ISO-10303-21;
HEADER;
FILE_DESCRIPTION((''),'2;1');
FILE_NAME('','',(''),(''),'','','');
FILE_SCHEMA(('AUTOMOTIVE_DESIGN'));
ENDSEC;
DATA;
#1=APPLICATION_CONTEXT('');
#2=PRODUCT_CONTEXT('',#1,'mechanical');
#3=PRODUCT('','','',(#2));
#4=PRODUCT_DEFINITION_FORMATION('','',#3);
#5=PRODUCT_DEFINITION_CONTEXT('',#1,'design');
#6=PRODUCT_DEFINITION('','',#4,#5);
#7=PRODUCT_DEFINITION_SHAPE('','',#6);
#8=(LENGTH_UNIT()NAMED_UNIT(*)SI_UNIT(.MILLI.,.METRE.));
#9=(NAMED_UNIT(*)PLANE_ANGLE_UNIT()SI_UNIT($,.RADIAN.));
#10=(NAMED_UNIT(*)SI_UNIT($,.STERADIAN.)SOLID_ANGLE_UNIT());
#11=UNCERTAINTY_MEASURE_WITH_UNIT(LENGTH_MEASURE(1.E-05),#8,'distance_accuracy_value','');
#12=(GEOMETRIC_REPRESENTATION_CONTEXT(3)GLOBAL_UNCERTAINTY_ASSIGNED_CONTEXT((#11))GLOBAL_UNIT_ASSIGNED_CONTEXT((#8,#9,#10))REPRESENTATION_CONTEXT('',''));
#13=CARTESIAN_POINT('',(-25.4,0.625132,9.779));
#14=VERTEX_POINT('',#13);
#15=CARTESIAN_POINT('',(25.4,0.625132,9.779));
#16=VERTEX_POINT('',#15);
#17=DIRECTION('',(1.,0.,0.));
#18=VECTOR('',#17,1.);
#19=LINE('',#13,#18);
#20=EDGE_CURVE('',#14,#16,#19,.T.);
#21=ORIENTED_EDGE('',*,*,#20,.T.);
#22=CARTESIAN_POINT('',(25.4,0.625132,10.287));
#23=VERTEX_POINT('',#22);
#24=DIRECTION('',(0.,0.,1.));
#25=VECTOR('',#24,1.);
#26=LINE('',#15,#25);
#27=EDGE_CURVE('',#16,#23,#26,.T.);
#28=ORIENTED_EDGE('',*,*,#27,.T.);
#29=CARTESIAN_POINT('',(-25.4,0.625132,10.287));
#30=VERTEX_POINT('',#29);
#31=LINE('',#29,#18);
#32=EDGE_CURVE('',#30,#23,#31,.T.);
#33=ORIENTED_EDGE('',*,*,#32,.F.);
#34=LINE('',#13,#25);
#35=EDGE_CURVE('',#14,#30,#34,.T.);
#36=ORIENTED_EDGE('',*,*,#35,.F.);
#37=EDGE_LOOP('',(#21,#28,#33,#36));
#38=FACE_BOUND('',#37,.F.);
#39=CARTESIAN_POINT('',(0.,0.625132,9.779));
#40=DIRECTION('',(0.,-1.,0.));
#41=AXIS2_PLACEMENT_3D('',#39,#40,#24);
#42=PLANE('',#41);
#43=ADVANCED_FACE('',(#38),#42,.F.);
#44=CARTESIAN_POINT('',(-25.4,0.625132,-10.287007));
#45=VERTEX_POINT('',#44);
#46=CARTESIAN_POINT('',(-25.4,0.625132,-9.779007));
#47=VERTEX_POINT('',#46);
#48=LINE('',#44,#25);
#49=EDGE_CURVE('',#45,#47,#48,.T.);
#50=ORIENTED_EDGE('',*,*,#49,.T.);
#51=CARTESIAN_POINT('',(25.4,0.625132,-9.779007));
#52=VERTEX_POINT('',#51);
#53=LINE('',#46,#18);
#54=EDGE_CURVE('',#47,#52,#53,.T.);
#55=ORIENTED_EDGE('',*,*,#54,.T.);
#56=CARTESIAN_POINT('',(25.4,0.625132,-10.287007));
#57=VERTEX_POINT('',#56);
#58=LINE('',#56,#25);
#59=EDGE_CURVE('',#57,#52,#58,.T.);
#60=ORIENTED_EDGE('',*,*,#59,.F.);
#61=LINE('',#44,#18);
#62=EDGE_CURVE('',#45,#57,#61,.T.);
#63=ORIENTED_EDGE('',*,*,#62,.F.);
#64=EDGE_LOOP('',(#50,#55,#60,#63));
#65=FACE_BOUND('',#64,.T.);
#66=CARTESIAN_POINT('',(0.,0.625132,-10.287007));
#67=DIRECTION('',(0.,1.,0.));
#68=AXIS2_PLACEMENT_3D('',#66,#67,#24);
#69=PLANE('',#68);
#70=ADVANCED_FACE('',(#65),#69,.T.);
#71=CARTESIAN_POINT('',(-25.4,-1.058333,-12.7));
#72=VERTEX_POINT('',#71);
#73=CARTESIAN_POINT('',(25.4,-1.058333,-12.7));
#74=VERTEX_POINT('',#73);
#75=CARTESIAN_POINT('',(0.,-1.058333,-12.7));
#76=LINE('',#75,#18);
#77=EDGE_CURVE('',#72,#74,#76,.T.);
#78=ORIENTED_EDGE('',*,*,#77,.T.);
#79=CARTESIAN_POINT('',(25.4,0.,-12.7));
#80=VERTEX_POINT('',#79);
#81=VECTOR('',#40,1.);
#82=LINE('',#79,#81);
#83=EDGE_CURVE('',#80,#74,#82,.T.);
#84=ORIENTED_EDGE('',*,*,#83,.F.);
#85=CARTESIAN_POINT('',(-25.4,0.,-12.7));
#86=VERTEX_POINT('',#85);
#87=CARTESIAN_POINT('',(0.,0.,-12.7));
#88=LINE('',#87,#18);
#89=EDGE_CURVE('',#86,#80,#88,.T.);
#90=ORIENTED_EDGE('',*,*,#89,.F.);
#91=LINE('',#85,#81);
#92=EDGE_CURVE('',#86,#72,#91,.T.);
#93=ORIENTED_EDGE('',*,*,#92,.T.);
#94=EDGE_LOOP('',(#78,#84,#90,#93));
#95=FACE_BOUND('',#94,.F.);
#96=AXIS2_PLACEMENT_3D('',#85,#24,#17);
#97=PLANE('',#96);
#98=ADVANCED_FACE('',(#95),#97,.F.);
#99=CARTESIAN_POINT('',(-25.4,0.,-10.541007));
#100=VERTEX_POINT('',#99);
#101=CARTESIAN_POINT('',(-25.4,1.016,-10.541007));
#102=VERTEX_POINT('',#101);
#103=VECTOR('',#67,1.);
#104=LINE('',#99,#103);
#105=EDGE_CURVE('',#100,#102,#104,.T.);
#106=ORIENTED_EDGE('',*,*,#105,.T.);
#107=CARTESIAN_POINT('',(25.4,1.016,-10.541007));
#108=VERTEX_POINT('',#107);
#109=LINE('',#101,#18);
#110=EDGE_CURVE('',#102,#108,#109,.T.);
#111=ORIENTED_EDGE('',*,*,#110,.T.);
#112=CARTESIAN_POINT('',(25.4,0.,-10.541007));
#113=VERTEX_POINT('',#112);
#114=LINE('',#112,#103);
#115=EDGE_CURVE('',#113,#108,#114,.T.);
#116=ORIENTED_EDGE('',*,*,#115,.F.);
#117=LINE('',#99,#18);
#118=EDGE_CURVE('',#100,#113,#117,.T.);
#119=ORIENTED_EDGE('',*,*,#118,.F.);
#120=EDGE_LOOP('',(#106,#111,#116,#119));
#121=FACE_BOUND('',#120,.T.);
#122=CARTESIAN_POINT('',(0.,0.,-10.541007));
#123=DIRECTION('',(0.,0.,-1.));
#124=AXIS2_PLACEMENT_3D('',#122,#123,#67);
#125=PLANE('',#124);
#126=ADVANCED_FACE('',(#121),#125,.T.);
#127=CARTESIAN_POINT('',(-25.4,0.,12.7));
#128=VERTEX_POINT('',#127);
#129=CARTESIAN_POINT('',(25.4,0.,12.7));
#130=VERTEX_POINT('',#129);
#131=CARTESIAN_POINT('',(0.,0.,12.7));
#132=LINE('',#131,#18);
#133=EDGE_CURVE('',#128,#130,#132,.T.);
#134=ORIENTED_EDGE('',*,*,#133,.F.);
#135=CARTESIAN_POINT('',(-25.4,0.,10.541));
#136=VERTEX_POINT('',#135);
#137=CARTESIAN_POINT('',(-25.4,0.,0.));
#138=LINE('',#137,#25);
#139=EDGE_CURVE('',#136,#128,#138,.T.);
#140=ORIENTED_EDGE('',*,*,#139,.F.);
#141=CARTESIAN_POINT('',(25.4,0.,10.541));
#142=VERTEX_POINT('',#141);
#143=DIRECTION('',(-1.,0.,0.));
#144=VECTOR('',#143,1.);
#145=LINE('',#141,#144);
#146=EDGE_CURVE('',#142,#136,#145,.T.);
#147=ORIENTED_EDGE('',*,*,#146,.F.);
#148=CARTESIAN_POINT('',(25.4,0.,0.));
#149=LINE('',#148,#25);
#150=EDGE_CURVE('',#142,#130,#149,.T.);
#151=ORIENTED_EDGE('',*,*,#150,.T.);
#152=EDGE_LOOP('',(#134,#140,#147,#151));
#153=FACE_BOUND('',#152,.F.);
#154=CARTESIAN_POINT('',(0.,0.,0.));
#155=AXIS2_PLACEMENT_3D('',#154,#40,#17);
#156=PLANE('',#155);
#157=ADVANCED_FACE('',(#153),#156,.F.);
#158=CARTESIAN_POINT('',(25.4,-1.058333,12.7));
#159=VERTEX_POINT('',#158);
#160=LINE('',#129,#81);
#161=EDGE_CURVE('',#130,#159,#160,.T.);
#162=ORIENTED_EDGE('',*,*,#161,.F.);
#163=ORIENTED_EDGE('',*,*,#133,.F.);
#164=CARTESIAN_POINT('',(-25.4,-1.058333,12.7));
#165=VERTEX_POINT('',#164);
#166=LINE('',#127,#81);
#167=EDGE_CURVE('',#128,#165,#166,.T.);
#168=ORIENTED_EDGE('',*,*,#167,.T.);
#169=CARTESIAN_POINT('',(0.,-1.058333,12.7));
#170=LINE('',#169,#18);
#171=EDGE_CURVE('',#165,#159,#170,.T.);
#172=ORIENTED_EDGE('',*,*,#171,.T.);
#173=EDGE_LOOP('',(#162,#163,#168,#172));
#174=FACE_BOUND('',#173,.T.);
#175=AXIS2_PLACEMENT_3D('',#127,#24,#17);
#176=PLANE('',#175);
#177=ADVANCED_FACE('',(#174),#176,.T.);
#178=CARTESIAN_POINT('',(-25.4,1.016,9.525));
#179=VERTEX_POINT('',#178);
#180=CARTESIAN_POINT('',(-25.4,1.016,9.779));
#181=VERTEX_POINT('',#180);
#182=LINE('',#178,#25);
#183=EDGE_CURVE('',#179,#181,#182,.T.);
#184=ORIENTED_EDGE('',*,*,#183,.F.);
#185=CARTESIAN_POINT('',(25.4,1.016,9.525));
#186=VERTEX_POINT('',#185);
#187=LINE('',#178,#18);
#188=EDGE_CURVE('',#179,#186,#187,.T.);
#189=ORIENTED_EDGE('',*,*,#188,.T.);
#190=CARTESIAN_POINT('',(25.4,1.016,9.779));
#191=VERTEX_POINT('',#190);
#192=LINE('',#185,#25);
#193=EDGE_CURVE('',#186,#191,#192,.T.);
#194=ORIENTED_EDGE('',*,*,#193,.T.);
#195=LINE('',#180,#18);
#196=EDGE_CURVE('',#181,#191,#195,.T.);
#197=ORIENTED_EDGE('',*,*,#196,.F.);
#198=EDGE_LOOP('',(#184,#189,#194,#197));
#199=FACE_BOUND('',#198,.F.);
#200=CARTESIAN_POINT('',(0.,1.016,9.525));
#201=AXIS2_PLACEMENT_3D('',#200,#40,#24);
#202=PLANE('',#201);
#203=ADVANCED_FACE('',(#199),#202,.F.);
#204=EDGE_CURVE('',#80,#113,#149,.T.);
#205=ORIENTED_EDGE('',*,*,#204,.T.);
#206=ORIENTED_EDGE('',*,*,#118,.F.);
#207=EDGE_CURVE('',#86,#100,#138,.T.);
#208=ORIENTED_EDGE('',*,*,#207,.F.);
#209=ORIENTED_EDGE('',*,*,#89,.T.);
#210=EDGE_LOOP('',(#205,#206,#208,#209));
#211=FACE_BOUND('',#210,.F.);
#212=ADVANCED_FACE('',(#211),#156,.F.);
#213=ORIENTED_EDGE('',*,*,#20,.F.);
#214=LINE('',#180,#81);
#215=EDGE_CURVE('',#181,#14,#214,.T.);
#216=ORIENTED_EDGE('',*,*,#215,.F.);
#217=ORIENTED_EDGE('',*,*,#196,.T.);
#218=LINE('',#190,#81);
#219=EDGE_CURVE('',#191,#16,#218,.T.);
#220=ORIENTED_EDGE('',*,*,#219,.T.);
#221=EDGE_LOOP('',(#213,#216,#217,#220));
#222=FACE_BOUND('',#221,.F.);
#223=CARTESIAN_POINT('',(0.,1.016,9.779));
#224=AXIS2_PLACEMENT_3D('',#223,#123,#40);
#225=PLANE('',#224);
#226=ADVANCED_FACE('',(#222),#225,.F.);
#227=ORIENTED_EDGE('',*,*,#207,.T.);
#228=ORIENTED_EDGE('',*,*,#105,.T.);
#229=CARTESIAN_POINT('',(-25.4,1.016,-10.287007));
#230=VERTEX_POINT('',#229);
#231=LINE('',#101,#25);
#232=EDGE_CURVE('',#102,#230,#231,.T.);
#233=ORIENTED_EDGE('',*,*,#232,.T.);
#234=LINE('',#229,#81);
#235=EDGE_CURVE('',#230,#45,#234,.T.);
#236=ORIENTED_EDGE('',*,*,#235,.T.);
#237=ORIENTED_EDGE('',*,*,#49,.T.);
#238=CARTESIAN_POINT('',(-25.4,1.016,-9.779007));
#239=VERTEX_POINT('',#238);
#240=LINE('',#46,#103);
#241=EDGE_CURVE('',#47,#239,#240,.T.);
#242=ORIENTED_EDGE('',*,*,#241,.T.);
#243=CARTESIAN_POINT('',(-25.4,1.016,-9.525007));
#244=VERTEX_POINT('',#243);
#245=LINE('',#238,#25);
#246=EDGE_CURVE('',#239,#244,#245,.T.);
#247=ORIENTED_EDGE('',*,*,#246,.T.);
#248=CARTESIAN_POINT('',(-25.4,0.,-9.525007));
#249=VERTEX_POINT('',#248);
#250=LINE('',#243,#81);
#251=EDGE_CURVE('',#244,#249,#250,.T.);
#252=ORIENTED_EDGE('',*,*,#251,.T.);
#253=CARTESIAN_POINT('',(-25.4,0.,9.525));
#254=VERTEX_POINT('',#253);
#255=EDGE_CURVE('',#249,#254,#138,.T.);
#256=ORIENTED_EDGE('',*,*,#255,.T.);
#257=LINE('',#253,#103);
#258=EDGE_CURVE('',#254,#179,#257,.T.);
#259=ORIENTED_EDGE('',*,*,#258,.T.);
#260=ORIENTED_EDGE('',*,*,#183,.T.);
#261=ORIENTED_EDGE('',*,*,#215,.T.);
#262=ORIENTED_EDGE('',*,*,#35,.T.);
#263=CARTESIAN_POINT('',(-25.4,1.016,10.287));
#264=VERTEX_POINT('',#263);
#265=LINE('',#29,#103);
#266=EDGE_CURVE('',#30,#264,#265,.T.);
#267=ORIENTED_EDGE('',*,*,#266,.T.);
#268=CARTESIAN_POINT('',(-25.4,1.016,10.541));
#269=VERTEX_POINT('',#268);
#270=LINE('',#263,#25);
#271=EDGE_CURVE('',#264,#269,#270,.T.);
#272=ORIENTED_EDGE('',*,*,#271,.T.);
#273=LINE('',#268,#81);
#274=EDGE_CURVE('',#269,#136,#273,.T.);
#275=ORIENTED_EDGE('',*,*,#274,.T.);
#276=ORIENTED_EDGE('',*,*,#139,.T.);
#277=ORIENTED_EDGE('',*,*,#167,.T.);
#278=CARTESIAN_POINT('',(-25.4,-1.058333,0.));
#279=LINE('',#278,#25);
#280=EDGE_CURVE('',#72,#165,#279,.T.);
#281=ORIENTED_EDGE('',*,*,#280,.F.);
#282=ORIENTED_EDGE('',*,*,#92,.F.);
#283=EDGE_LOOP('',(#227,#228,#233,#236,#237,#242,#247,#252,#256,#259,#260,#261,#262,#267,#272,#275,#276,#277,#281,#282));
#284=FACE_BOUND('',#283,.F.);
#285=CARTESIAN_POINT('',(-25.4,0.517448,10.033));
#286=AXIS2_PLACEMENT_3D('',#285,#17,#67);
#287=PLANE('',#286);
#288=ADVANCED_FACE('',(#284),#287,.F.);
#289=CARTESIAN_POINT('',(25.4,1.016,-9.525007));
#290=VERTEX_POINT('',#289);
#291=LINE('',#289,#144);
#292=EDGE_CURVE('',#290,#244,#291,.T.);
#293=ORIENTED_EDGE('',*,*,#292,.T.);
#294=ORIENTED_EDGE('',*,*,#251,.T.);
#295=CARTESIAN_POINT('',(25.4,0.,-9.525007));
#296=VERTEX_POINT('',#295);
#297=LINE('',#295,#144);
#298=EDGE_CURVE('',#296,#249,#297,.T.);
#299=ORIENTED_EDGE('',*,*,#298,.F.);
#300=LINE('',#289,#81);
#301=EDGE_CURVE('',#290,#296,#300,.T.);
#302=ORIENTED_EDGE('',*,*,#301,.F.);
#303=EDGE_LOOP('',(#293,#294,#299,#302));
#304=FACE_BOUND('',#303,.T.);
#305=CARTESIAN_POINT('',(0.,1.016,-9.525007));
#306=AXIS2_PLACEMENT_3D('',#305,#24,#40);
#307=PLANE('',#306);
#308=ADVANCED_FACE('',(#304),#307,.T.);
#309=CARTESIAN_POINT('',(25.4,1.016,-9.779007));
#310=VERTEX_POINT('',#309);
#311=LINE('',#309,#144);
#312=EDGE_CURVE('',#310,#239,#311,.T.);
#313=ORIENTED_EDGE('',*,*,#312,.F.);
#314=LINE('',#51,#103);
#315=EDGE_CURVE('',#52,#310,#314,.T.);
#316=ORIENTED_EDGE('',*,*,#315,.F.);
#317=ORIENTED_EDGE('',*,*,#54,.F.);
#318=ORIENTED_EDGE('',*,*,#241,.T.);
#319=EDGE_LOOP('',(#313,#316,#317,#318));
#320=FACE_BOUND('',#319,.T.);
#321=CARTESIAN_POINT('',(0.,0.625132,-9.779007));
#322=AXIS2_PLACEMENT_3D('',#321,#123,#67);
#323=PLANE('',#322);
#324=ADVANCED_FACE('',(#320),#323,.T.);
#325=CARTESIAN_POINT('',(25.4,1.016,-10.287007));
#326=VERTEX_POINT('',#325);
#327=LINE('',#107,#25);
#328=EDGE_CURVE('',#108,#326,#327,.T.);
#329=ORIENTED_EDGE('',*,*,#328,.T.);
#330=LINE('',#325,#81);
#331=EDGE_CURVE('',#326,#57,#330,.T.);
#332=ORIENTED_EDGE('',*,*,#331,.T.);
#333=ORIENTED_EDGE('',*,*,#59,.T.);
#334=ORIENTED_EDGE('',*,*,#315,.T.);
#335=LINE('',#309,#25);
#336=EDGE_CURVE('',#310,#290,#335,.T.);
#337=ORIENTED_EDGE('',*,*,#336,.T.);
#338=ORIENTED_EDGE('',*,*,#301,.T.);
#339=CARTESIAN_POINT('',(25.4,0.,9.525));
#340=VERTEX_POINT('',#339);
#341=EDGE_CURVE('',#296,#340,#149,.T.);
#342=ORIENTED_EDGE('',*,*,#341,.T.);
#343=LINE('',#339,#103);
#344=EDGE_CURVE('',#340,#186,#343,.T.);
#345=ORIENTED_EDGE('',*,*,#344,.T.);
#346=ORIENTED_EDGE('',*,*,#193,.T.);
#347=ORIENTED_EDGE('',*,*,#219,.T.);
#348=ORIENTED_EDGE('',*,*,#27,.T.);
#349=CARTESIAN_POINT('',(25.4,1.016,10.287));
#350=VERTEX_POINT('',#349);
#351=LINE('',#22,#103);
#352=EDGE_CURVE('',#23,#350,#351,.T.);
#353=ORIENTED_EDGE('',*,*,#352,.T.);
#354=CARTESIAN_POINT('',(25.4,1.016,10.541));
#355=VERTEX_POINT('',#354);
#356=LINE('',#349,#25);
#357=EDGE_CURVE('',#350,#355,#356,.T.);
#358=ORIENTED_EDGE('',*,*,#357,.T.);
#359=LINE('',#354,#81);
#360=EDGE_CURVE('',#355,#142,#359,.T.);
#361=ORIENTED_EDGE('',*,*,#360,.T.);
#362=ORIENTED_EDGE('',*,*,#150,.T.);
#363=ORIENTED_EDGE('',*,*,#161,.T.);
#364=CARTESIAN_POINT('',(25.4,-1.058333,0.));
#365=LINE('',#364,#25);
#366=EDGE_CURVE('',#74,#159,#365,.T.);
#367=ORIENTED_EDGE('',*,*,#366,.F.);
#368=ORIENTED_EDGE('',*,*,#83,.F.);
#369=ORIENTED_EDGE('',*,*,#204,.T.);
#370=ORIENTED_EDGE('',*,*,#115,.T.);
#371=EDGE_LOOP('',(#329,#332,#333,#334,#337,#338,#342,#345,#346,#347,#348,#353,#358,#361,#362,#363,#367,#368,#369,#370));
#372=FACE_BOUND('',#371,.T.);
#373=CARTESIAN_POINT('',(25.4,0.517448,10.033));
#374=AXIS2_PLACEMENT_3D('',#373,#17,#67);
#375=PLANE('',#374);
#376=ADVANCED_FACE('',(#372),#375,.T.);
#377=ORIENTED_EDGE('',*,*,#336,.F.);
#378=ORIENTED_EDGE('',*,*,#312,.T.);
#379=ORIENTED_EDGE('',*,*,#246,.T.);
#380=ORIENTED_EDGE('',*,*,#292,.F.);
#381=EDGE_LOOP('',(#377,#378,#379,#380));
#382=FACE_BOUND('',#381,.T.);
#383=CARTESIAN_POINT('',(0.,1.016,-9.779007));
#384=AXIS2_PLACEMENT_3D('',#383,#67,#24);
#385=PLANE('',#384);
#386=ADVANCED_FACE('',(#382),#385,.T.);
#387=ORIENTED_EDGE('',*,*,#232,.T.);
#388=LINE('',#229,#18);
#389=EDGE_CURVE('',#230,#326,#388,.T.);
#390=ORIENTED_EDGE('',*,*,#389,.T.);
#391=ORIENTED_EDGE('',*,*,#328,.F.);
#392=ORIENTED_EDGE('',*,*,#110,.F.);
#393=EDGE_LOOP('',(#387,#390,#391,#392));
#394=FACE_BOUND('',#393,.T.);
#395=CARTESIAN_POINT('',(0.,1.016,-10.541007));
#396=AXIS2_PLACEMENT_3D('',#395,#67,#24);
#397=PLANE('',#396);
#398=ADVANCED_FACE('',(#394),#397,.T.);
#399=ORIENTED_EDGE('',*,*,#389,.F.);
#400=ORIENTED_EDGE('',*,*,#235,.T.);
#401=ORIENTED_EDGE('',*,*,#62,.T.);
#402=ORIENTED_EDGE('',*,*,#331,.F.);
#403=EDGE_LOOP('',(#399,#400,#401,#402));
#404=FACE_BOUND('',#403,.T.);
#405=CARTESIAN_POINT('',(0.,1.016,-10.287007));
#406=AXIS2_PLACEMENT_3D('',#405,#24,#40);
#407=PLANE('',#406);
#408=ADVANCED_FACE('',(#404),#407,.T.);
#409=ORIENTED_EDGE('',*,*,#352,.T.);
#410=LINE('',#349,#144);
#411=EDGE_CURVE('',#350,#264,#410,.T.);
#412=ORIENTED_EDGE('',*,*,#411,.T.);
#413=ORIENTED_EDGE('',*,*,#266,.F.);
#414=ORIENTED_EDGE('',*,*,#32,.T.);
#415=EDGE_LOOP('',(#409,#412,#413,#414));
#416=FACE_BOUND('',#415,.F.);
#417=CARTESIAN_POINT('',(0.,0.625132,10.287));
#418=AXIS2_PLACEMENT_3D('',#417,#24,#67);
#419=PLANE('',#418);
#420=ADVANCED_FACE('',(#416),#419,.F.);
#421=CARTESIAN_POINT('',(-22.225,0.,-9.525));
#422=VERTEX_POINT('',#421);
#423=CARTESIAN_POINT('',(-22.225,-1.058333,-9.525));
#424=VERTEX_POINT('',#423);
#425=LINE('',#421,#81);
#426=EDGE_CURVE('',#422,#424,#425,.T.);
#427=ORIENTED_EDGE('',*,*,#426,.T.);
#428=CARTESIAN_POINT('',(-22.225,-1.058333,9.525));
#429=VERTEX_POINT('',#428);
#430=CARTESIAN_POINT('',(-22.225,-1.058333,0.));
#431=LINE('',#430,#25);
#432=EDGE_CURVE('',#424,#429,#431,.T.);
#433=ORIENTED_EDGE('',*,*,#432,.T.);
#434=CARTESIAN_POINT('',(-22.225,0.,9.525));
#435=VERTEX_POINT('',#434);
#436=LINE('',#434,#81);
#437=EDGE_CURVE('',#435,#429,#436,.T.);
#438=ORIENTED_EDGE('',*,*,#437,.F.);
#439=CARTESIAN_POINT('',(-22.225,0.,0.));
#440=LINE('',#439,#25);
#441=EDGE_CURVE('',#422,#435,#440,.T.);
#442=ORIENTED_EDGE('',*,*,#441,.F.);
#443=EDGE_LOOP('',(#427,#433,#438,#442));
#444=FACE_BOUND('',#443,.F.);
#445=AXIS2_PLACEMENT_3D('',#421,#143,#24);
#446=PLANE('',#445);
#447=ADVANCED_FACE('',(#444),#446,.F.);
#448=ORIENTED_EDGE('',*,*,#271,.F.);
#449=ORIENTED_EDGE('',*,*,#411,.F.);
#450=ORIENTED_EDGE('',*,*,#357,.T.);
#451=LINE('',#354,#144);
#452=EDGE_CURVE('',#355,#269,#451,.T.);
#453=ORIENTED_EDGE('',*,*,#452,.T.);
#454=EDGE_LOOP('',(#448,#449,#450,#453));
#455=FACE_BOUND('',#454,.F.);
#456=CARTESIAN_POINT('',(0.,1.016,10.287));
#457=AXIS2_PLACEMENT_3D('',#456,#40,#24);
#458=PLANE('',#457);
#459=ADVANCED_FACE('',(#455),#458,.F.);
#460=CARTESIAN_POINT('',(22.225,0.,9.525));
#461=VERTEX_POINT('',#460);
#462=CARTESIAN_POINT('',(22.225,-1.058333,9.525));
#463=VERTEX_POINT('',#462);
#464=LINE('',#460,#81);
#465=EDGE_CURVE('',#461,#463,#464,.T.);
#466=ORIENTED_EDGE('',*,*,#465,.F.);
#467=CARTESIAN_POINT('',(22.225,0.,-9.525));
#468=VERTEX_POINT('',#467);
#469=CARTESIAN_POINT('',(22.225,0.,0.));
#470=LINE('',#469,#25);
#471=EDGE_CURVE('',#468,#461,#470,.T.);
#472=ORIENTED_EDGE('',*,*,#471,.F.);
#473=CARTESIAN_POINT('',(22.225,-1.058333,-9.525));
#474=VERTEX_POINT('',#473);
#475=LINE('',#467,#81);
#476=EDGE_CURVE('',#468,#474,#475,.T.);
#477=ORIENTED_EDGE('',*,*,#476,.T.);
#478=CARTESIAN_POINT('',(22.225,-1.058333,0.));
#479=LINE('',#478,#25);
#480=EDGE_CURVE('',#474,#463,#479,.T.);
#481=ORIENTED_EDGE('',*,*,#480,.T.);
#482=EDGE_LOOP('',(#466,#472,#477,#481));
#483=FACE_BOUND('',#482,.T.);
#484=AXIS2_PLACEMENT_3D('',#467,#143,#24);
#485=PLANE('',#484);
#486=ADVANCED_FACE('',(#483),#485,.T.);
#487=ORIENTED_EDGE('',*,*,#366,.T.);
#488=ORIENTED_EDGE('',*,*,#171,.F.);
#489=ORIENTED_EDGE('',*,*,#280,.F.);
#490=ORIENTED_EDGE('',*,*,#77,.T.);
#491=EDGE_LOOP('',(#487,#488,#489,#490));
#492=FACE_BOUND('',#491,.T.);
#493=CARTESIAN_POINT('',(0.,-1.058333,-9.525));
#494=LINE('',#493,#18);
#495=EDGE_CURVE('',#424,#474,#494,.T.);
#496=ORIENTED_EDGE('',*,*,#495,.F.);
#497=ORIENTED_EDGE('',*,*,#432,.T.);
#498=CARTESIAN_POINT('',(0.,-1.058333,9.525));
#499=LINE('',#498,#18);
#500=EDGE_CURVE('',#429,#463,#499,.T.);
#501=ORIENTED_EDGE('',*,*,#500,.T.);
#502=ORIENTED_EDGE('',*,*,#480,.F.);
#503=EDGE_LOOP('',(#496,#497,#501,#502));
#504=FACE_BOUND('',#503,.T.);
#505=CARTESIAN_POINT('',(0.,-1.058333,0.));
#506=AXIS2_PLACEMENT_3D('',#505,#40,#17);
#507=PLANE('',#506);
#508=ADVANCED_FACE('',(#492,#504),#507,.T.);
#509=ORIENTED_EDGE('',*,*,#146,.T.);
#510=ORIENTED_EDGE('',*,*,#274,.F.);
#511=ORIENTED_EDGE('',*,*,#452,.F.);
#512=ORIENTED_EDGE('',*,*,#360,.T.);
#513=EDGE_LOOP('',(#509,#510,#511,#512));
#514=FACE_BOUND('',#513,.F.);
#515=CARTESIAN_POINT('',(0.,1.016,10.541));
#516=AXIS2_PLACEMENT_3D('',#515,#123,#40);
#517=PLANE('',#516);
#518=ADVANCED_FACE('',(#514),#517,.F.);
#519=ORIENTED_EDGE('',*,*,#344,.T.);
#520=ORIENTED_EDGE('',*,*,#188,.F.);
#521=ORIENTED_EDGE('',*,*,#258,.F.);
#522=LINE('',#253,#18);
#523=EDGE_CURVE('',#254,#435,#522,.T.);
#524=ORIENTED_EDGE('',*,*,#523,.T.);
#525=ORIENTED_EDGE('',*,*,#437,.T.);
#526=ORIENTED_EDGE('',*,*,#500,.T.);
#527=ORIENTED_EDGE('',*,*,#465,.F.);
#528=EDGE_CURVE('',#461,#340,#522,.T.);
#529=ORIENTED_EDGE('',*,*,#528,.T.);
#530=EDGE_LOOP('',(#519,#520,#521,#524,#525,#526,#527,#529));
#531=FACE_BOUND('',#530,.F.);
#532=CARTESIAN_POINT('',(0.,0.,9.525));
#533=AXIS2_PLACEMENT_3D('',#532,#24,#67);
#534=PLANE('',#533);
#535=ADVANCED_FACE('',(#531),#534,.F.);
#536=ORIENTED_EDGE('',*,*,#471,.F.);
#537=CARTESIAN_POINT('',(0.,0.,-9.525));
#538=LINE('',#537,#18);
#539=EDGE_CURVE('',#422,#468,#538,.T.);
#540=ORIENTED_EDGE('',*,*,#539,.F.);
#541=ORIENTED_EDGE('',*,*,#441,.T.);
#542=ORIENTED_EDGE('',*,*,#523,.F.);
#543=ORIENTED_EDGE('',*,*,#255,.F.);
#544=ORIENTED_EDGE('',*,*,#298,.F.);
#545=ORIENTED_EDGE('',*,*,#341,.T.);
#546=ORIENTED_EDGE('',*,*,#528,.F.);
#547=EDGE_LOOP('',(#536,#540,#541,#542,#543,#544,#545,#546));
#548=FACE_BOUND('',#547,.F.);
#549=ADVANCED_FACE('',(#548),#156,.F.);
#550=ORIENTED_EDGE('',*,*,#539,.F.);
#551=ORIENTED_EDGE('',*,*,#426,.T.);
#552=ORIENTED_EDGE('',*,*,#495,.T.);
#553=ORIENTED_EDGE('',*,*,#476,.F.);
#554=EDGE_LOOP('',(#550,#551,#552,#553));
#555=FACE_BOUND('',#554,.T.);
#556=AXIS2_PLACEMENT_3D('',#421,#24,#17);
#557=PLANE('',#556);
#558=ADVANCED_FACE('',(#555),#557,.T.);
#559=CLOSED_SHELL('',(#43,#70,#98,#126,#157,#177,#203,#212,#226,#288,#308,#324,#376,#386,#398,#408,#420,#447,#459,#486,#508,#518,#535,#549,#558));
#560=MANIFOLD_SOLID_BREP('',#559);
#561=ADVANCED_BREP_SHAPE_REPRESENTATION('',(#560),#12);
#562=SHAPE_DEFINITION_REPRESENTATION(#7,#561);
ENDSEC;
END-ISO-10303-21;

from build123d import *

# Parameters (mm, degrees)
F0_W     = 50.8
F0_H     = 25.4
F0_W_2   = 44.45
F0_H_2   = 19.05
F1_DEPTH = 1.058333
F3_DEPTH = 25.4


with BuildPart() as f1:
    # F0 (on Front) → F1 (new body)
    with BuildSketch(Plane.XZ):
        Rectangle(F0_W, F0_H)
        Rectangle(F0_W_2, F0_H_2, mode=Mode.SUBTRACT)
    extrude(amount=F1_DEPTH)

    # F2 (on Right) → F3 (join, symmetric)
    with BuildSketch(Plane.YZ):
        Polygon((0, 10.541), (0, 9.525), (1.016, 9.525), (1.016, 9.779), (0.625132, 9.779), (0.625132, 10.287), (1.016, 10.287), (1.016, 10.541), align=None)
        Polygon((0, -9.525007), (0, -10.541007), (1.016, -10.541007), (1.016, -10.287007), (0.625132, -10.287007), (0.625132, -9.779007), (1.016, -9.779007), (1.016, -9.525007), align=None)
    extrude(amount=F3_DEPTH, both=True)


solid = f1.part
